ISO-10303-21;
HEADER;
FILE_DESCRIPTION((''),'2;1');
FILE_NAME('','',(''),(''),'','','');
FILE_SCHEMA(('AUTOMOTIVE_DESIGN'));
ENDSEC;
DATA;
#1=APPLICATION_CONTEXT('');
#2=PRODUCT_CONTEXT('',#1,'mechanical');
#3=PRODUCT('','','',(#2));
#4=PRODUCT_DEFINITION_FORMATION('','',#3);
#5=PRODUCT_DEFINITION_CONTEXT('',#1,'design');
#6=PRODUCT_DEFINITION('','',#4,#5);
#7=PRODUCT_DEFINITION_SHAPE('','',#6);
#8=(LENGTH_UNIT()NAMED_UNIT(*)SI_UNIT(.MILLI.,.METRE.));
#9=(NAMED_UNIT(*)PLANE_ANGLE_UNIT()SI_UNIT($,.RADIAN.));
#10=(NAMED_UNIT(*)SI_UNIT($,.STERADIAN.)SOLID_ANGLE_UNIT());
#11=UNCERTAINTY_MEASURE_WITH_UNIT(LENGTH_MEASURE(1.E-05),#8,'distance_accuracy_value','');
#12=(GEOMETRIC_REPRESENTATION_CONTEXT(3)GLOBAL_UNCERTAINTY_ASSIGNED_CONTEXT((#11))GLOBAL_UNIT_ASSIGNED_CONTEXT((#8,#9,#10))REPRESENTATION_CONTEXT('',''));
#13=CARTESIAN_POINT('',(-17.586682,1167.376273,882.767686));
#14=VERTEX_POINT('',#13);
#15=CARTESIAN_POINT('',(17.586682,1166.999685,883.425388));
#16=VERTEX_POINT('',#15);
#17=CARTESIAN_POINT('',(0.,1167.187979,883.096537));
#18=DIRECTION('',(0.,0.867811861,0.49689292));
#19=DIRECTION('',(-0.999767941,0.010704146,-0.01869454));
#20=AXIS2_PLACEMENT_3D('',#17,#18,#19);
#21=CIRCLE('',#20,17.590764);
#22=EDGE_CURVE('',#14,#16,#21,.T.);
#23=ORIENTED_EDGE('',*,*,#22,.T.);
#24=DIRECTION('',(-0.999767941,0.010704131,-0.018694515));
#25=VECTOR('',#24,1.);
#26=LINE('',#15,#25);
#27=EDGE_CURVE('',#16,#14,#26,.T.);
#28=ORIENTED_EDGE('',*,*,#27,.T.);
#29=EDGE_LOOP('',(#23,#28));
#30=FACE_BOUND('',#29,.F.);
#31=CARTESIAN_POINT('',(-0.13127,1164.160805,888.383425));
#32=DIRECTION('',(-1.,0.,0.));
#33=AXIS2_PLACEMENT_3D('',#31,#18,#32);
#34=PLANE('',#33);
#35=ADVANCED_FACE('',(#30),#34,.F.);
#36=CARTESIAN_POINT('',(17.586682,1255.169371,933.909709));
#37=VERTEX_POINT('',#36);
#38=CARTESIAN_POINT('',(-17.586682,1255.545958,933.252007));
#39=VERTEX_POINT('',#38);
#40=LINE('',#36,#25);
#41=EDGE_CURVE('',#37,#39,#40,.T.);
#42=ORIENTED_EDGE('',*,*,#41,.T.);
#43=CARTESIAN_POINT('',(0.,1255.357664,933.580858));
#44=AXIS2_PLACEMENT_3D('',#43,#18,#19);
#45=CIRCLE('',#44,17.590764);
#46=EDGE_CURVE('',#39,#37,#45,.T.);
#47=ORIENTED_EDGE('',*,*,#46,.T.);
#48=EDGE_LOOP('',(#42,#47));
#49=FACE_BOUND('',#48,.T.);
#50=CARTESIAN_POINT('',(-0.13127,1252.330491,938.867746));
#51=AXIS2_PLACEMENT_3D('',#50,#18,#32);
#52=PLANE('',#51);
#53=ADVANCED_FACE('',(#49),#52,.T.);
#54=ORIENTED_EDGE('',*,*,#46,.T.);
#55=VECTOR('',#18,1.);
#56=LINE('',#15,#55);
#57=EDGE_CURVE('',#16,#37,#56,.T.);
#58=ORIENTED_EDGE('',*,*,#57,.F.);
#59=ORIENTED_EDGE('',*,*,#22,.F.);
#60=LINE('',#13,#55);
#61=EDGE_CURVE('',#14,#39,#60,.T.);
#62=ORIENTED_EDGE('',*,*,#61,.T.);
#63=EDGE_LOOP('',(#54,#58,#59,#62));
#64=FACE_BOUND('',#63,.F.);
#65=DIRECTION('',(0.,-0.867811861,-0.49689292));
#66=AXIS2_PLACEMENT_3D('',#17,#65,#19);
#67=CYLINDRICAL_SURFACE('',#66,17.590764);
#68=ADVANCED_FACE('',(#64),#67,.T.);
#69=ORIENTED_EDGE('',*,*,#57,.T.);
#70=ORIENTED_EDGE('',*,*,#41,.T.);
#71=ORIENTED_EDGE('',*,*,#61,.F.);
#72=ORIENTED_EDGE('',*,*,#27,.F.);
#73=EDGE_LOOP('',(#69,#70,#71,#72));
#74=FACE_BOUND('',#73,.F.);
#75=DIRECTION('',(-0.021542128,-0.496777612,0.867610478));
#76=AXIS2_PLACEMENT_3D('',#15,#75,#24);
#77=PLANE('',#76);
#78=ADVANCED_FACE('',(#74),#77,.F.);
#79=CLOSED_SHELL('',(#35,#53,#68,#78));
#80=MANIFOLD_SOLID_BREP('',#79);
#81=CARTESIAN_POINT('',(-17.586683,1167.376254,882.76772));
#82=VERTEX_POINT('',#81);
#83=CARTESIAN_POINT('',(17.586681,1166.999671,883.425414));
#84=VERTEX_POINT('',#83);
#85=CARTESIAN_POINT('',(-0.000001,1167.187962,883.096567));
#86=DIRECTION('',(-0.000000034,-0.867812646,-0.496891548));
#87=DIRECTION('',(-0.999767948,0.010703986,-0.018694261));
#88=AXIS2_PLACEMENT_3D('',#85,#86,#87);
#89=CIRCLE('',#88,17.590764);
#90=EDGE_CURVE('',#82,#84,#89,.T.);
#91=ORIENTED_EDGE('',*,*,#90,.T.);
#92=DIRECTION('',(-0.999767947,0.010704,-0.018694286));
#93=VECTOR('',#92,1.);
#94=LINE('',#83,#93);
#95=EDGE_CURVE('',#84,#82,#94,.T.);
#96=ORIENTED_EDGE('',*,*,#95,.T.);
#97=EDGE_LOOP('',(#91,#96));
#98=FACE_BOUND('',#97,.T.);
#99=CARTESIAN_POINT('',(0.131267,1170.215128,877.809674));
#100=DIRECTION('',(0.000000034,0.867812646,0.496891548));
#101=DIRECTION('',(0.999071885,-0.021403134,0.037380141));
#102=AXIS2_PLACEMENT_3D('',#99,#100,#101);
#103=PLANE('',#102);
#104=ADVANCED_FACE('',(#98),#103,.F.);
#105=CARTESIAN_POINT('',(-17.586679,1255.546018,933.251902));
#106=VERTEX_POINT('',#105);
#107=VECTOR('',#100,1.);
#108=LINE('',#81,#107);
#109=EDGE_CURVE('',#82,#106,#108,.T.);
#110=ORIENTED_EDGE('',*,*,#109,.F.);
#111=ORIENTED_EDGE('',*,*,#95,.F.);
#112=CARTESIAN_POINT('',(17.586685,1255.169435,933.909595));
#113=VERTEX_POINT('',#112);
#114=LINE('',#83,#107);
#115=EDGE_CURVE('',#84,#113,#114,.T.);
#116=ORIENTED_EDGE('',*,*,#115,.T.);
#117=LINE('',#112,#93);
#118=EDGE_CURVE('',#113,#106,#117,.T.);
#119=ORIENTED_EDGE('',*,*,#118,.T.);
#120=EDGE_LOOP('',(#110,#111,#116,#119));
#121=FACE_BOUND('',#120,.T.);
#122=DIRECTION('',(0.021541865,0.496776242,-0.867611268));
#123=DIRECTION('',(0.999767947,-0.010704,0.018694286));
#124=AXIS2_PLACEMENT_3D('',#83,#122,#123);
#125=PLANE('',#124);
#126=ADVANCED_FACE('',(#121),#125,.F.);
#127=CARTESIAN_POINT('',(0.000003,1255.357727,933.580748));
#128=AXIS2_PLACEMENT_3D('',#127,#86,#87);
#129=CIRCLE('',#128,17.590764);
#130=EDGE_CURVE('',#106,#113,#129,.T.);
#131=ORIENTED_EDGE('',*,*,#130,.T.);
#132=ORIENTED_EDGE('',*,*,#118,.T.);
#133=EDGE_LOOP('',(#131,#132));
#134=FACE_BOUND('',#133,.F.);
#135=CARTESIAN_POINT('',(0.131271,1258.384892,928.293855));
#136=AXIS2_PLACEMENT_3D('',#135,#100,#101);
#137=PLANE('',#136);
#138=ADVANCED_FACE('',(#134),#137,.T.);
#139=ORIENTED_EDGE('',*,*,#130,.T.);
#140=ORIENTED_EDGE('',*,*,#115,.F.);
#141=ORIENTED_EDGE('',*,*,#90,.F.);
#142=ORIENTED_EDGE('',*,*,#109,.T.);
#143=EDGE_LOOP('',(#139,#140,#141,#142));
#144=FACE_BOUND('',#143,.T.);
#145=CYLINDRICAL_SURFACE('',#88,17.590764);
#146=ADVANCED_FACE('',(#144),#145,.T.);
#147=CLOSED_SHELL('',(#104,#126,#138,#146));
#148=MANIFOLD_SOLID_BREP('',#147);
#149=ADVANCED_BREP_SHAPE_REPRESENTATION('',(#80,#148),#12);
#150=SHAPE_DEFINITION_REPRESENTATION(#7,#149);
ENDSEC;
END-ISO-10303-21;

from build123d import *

# Parameters (mm, degrees)
F3_DEPTH = 101.6


with BuildPart() as f3:
    # F2 (on face) → F3 (new body)
    with BuildSketch(Plane(origin=(0, 1259.806246, 721.340901), x_dir=(-1, 0, 0), z_dir=(0, 0.867812, 0.496893))):
        with BuildLine():
            Line((-17.586682, 186.773763), (17.586682, 186.015878))
            ThreePointArc((17.586682, 186.015878), (0.378943, 203.981503), (-17.586682, 186.773763))
        make_face()
    extrude(amount=F3_DEPTH)


with BuildPart() as f5_1:
    # F5: instance of F3
    add(f3.part.mirror(Plane(origin=(0, 1211.272902, 908.338717), x_dir=(-0.999061, 0.043323, 0), z_dir=(0.021542, 0.496777, -0.867611))))


solid = Compound([f3.part, f5_1.part])
